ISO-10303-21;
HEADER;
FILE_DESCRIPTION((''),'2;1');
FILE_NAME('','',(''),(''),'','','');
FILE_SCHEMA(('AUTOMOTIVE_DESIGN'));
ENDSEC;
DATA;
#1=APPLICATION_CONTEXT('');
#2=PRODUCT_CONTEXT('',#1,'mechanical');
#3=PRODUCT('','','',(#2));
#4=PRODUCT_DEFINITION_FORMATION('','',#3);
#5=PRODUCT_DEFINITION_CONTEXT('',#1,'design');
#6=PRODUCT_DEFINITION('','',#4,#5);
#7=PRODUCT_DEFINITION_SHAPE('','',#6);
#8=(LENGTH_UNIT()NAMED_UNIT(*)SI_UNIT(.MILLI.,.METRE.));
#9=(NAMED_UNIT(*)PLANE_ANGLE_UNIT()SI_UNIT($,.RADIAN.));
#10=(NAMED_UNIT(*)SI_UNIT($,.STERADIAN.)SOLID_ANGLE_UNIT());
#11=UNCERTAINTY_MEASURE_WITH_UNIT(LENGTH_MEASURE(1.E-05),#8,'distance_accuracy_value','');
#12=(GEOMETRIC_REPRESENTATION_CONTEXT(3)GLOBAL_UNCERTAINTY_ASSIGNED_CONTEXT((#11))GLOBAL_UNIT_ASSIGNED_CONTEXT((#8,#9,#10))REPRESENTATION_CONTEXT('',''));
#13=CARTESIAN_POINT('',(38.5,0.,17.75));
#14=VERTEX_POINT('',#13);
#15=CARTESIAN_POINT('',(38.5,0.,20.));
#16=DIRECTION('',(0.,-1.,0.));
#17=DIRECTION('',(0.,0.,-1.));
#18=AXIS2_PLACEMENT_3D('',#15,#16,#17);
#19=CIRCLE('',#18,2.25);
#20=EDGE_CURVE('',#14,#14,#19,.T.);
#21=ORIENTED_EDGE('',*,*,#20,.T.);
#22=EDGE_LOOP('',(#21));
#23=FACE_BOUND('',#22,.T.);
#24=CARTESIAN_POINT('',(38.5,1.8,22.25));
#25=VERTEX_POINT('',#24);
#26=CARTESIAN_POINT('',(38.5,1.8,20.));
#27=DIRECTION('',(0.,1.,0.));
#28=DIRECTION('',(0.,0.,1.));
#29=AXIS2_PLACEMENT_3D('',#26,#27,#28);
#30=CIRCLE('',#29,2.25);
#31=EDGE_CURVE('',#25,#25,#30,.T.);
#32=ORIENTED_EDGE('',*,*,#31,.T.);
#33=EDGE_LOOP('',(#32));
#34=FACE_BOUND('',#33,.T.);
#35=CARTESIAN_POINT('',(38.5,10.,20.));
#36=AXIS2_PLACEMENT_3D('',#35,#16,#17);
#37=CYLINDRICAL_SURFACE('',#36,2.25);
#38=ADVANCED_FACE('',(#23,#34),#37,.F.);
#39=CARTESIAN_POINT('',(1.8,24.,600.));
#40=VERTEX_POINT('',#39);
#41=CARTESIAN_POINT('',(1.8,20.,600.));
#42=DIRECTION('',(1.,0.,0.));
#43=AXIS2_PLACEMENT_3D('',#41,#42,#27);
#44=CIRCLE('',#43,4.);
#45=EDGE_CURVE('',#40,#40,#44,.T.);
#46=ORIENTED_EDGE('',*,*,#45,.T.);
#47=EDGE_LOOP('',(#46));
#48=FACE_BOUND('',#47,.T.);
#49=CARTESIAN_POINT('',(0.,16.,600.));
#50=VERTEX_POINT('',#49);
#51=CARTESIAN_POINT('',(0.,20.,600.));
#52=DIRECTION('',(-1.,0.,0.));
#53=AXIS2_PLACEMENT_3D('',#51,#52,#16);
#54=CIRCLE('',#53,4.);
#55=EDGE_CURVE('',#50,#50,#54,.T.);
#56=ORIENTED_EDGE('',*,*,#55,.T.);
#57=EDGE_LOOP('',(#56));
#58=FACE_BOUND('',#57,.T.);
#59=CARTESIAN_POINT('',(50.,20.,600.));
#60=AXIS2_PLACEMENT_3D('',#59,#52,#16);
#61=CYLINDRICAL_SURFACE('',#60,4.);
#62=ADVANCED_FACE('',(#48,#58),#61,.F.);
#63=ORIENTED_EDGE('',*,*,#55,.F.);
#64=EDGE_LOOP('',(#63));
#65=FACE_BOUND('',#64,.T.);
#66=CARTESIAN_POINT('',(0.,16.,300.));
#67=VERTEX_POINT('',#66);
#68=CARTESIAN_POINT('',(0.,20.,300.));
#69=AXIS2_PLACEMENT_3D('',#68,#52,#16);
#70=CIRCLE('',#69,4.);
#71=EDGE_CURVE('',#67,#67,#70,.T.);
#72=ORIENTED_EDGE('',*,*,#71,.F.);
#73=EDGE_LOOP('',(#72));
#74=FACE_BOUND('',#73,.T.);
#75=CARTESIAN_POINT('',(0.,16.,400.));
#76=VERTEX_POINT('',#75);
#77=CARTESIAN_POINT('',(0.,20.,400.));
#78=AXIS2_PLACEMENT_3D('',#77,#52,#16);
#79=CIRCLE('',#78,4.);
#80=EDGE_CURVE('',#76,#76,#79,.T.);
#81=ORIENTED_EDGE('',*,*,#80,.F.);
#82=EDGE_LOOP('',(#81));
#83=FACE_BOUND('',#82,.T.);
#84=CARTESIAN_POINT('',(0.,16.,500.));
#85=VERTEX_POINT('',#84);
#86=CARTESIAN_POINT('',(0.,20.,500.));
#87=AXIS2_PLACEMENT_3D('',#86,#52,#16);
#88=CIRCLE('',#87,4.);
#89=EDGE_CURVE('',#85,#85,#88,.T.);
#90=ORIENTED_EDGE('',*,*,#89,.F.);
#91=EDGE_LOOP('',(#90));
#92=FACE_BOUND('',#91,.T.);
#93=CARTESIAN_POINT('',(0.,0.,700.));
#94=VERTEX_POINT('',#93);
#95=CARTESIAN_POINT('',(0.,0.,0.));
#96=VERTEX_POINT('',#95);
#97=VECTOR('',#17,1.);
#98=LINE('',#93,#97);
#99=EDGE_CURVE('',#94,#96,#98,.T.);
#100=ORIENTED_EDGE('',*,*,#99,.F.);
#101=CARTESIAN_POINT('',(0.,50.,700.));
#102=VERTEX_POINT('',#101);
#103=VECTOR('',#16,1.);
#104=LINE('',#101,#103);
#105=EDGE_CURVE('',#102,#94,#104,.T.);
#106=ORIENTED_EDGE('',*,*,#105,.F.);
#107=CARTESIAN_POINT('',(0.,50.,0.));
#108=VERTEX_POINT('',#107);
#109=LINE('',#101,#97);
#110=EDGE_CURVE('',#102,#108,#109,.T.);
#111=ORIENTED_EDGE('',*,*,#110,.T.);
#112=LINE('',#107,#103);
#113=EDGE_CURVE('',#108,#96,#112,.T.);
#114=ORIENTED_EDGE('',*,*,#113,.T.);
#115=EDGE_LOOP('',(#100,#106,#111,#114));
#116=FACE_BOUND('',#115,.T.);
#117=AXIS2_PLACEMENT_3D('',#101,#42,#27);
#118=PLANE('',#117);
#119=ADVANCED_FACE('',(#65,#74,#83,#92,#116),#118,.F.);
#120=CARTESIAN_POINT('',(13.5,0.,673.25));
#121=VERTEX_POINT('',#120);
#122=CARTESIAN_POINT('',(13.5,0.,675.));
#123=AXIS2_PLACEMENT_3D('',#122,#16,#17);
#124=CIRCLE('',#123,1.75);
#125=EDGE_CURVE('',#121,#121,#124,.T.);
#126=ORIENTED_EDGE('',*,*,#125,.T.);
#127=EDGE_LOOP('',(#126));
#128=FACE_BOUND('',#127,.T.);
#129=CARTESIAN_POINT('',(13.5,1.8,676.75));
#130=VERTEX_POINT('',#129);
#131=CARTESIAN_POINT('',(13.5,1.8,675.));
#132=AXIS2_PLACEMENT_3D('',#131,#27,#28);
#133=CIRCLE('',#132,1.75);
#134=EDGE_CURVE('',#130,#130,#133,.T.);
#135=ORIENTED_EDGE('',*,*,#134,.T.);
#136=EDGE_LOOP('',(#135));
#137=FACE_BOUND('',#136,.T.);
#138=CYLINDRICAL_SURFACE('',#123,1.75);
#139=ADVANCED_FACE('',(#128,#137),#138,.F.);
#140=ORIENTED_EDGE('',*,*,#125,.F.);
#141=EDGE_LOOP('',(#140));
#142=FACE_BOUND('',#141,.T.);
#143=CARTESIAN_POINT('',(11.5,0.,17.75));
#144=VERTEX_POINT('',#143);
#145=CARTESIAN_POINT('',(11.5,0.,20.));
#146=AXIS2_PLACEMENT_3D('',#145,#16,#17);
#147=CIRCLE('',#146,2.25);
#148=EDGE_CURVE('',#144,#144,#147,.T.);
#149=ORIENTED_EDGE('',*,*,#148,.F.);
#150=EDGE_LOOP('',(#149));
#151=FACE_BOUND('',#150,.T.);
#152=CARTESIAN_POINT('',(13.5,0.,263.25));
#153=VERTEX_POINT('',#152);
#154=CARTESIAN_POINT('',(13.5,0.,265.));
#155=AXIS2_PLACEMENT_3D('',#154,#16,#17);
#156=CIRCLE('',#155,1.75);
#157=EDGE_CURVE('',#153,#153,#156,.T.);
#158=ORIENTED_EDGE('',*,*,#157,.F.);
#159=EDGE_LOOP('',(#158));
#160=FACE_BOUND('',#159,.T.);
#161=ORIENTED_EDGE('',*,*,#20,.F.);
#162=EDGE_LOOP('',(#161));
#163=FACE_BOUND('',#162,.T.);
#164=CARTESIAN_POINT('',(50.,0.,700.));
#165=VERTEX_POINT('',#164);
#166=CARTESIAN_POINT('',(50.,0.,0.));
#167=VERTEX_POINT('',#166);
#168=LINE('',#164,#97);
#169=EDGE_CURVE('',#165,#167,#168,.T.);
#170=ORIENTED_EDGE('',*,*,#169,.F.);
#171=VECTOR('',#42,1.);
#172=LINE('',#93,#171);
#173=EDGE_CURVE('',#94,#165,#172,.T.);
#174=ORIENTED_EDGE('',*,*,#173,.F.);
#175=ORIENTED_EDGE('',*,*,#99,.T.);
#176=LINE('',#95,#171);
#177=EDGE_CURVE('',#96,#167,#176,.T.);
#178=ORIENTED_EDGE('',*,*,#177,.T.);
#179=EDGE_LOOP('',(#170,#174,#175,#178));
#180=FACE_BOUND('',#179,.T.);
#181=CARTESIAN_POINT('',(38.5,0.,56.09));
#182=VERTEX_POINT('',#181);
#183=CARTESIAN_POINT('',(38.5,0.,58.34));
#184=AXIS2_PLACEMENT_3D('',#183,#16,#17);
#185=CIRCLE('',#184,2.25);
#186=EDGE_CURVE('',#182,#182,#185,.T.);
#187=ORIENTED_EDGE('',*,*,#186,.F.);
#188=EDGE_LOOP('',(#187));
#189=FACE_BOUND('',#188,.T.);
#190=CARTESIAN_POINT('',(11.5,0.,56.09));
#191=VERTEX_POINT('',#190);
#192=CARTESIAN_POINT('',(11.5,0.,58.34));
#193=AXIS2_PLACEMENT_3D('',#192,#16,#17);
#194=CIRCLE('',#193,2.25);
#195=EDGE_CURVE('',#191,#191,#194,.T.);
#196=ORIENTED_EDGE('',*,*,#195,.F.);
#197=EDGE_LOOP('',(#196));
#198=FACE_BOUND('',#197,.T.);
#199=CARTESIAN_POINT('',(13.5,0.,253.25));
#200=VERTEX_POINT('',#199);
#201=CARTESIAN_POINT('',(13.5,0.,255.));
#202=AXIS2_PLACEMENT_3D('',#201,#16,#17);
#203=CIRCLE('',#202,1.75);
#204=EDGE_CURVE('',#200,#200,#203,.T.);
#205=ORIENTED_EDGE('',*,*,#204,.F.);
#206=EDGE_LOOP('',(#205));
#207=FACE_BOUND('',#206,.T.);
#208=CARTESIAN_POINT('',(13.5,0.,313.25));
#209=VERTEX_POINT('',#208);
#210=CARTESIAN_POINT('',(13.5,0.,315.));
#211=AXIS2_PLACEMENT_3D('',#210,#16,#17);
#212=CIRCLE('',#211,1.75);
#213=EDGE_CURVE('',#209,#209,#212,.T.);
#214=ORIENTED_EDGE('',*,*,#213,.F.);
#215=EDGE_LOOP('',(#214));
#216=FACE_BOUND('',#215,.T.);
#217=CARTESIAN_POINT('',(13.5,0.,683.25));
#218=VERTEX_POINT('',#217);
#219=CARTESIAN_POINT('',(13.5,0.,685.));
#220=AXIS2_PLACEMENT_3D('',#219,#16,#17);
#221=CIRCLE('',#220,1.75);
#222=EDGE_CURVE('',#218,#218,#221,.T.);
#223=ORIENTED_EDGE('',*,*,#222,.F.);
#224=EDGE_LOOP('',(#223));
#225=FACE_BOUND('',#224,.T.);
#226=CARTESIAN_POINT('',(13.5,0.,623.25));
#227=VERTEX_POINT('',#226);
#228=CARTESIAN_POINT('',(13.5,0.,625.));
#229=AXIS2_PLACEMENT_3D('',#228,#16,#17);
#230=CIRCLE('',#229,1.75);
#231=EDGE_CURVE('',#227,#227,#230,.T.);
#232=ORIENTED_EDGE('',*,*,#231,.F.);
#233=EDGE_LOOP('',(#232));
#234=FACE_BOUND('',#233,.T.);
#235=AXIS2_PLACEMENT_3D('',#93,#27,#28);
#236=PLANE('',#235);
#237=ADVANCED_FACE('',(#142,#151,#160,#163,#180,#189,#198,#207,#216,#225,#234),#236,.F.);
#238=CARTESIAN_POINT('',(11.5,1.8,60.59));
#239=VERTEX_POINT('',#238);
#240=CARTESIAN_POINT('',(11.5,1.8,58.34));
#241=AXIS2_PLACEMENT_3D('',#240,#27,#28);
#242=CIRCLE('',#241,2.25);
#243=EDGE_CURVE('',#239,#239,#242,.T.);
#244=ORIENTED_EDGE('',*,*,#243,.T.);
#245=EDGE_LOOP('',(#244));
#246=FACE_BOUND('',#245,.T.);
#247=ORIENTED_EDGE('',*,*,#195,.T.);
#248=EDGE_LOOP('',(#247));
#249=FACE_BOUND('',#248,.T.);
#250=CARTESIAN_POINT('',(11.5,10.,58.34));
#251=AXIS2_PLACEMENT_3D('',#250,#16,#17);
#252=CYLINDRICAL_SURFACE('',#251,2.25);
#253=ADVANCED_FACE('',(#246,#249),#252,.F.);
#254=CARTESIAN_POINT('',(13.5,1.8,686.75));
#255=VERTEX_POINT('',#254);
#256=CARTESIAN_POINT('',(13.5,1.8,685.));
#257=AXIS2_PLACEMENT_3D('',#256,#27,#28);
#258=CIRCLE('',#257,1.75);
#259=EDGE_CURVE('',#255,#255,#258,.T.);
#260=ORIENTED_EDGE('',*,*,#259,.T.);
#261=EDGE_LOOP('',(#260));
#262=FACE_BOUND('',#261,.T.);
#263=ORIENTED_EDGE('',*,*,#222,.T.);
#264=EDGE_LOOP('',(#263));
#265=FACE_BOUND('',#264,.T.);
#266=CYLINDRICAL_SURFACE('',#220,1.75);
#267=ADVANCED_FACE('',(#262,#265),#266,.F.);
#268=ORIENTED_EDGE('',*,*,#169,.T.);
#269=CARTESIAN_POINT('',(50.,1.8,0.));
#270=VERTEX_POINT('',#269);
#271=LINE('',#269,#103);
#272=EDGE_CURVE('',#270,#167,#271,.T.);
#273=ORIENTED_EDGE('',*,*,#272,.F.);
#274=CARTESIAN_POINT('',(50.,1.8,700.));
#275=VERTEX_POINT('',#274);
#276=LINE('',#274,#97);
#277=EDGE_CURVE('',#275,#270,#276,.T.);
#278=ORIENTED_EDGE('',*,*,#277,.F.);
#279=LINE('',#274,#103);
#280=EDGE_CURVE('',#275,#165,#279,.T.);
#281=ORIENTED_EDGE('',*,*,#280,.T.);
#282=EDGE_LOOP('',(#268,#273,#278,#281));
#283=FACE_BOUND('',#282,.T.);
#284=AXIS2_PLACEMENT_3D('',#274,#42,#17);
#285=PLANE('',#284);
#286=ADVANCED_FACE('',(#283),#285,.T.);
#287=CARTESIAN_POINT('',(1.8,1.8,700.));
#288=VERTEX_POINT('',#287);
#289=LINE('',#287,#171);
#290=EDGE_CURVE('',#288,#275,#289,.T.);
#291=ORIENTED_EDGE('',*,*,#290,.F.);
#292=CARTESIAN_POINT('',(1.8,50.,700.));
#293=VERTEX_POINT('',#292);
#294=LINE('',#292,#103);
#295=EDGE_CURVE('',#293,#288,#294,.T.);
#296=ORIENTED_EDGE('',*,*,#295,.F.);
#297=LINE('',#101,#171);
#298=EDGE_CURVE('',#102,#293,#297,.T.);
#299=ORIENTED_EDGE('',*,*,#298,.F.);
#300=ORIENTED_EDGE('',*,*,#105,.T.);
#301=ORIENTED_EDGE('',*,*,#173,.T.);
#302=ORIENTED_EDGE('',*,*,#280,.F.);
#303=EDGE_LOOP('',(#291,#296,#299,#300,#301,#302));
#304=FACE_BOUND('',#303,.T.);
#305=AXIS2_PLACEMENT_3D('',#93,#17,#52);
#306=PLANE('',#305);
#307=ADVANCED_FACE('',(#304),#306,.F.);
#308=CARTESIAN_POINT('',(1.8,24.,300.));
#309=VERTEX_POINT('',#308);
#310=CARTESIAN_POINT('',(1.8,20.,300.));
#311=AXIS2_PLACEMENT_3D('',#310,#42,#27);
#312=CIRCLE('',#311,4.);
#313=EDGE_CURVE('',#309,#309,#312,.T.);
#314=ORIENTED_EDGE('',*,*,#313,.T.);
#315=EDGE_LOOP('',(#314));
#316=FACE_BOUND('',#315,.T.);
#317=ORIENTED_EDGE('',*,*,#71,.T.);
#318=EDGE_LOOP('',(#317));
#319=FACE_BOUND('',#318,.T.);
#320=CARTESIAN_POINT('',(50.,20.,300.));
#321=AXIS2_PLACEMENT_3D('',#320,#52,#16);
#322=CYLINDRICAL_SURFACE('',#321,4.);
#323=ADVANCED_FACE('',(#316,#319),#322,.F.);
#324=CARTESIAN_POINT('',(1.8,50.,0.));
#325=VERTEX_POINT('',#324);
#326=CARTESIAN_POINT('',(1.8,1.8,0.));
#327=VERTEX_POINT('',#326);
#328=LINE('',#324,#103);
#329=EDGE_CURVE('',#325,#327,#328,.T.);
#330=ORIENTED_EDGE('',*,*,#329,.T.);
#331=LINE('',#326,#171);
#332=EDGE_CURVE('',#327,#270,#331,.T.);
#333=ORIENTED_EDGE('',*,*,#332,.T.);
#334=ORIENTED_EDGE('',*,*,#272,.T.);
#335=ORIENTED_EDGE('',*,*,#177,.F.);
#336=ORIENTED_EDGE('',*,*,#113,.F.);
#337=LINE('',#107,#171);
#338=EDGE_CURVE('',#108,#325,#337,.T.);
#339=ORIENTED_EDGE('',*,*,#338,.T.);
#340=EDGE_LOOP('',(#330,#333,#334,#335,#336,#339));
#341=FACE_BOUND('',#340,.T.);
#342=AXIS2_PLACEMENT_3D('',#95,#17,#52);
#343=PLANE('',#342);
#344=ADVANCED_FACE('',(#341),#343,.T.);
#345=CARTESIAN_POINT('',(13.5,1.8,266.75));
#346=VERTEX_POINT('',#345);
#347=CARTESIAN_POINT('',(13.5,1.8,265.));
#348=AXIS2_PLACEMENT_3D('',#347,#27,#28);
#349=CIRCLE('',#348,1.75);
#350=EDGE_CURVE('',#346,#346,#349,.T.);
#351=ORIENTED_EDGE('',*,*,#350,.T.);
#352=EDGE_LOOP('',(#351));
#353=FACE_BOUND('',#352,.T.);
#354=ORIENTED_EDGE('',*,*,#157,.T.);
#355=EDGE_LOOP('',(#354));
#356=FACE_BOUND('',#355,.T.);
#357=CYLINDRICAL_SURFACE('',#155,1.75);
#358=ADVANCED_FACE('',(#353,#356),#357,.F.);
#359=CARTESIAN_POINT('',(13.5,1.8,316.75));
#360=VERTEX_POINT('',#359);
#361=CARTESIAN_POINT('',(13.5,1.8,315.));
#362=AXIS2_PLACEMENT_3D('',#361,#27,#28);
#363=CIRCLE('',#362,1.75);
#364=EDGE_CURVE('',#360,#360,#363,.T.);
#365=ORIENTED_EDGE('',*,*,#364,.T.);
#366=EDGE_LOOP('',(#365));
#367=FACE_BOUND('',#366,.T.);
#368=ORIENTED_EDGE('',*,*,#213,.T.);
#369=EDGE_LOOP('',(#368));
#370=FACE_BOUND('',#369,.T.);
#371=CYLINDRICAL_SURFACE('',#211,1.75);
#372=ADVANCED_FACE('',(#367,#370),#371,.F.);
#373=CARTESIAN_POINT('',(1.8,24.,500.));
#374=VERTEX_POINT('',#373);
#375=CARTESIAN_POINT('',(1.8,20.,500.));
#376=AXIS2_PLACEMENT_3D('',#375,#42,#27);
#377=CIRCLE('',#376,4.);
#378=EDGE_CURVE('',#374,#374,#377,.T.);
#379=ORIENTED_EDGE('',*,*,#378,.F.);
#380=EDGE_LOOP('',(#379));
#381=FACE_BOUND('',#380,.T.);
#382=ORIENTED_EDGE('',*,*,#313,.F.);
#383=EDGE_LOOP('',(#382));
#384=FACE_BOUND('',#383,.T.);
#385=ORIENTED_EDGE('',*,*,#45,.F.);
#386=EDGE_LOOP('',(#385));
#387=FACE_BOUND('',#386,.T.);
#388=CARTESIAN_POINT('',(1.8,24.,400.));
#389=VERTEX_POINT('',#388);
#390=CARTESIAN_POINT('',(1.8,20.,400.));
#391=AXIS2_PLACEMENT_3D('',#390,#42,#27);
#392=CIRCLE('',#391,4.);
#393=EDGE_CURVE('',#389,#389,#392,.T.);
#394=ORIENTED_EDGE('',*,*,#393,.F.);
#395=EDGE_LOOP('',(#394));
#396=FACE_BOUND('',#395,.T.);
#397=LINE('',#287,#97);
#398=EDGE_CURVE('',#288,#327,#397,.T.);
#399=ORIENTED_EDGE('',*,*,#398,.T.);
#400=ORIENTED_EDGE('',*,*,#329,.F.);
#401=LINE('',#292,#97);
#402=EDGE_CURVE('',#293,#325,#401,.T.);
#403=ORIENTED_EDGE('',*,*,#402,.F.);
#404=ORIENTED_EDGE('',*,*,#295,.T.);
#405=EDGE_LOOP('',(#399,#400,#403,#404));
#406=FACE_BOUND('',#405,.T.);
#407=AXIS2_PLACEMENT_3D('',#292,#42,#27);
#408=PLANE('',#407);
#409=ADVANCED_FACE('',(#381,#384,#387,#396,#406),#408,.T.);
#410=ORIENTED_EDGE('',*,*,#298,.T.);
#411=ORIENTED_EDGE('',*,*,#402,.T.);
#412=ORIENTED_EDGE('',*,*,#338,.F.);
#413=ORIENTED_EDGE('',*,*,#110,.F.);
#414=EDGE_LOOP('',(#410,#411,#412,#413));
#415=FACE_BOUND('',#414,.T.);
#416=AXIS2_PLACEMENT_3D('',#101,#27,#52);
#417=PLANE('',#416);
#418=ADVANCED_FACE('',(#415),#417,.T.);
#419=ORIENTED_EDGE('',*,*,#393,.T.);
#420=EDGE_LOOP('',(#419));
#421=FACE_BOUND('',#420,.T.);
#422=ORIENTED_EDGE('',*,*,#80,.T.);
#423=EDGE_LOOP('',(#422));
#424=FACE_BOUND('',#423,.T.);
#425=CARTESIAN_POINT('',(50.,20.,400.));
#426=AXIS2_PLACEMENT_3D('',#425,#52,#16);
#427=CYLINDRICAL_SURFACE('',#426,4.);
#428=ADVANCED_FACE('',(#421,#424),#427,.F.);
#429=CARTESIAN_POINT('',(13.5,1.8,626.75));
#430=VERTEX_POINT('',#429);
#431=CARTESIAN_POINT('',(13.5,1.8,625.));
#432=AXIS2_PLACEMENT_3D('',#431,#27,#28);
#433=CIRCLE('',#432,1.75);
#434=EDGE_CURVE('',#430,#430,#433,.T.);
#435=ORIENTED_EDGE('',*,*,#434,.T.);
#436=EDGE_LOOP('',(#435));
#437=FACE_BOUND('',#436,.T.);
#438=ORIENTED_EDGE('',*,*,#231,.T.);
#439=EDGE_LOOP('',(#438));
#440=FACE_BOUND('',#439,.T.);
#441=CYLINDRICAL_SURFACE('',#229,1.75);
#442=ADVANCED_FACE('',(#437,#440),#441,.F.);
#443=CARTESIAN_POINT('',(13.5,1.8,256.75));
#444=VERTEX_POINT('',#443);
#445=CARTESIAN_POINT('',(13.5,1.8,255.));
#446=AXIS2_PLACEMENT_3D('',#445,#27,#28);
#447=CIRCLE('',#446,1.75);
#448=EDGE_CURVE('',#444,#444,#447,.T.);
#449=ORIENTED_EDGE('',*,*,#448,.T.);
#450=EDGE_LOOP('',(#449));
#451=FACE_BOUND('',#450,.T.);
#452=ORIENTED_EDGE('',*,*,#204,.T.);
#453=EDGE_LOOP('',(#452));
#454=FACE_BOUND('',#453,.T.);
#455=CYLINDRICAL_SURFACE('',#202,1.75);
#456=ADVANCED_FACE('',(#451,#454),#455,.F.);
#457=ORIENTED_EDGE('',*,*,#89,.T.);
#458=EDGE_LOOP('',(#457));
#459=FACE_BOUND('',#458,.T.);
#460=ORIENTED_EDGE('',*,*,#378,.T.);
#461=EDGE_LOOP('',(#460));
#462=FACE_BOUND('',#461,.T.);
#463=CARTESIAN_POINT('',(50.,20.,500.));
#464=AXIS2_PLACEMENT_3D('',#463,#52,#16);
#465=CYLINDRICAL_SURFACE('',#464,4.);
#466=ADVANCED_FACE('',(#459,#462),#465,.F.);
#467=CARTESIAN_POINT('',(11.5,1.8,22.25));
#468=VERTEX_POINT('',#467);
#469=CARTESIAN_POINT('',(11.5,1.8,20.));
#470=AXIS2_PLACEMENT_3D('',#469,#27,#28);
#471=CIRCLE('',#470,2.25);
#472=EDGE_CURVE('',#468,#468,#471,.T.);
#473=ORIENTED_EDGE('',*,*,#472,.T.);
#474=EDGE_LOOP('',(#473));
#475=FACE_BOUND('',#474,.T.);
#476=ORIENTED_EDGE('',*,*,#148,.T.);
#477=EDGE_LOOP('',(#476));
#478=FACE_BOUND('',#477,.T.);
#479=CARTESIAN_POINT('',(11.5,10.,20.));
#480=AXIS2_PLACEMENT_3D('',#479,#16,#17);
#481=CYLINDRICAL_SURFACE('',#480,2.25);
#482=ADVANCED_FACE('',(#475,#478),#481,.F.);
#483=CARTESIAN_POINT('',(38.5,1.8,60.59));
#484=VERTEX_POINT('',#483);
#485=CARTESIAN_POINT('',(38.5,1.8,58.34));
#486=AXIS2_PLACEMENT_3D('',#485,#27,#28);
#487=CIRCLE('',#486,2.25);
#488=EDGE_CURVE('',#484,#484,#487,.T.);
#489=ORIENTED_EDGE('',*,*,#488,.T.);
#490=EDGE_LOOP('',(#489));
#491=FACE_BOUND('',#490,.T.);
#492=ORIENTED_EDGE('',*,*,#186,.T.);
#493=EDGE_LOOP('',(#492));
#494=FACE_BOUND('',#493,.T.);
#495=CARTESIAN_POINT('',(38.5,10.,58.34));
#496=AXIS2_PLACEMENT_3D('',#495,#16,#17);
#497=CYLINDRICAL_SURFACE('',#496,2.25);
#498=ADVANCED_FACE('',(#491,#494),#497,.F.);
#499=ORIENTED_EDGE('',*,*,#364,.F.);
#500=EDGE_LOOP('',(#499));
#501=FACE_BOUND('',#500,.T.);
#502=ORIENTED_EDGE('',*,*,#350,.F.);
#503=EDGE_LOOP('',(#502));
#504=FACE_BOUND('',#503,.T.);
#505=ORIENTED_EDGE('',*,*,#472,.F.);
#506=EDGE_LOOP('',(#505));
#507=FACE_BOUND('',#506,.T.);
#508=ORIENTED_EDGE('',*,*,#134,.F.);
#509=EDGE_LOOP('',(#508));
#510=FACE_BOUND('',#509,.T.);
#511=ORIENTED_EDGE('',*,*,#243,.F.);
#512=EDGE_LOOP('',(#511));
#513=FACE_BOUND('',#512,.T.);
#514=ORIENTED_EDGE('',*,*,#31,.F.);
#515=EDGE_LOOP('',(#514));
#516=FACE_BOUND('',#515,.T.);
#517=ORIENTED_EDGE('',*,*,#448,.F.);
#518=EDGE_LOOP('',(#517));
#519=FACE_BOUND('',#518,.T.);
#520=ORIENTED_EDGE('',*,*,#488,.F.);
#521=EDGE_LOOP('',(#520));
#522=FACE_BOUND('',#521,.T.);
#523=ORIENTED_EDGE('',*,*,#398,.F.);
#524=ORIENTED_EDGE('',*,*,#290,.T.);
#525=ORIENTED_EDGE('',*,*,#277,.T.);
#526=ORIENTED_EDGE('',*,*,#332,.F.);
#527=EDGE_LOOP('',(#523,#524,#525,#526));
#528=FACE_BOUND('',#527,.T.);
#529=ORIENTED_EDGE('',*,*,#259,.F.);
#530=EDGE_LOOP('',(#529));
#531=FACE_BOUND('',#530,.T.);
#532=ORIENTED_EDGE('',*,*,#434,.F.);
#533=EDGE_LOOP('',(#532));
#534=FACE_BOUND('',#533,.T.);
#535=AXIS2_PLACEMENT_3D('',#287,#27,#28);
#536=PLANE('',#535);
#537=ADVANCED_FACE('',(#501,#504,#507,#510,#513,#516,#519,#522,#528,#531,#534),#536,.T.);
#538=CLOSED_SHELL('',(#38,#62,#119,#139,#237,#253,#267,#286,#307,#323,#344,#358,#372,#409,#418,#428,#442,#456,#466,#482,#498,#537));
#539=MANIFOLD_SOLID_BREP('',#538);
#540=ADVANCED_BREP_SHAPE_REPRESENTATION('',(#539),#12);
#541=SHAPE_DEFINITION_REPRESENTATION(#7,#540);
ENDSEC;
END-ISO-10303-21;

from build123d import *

# Parameters (mm, degrees)
EXTRUDE_1_DEPTH             = 700
SKETCH_2_R                  = 2.25
CUT_EXTRUDE_1_DEPTH         = 10
SKETCH_3_R                  = 4
CUT_EXTRUDE_2_DEPTH         = 51
HOLE_WIZARD_3_5_3_5_1_D     = 3.5
HOLE_WIZARD_3_5_3_5_1_DEPTH = 2
HOLE_WIZARD_3_5_3_5_1_TIP   = 1.051506083


with BuildPart() as part:
    # 草圖1 → 填料-伸長1 (new body)
    with BuildSketch(Plane.XY):
        Polygon((0, 50), (0, 0), (50, 0), (50, 1.8), (1.8, 1.8), (1.8, 50), align=None)
    extrude(amount=EXTRUDE_1_DEPTH)

    # 草圖2 → 除料-伸長1 (cut)
    with BuildSketch(Plane(origin=(0, 0, 0), x_dir=(-1, 0, 0), z_dir=(0, -1, 0))):
        with Locations((-38.5, -20)):
            Circle(SKETCH_2_R)
        with Locations((-38.5, -58.34)):
            Circle(SKETCH_2_R)
        with Locations((-11.5, -20)):
            Circle(SKETCH_2_R)
        with Locations((-11.5, -58.34)):
            Circle(SKETCH_2_R)
    extrude(amount=-CUT_EXTRUDE_1_DEPTH, mode=Mode.SUBTRACT)

    # 草圖3 → 除料-伸長2 (cut, through all)
    with BuildSketch(Plane.ZY):
        with Locations((600, 20)):
            Circle(SKETCH_3_R)
        with Locations((500, 20)):
            Circle(SKETCH_3_R)
        with Locations((400, 20)):
            Circle(SKETCH_3_R)
        with Locations((300, 20)):
            Circle(SKETCH_3_R)
    extrude(amount=-CUT_EXTRUDE_2_DEPTH, mode=Mode.SUBTRACT)

    # Ø3.5 (3.5) 直徑孔1
    with Locations(Plane(origin=(0, 0, 0), x_dir=(-1, 0, 0), z_dir=(0, -1, 0))):
        with Locations((-13.5, -685), (-13.5, -675), (-13.5, -625), (-13.5, -255), (-13.5, -265), (-13.5, -315)):
            Hole(HOLE_WIZARD_3_5_3_5_1_D / 2, depth=HOLE_WIZARD_3_5_3_5_1_DEPTH)
            with Locations((0, 0, -(HOLE_WIZARD_3_5_3_5_1_DEPTH + HOLE_WIZARD_3_5_3_5_1_TIP / 2))):  # 118° drill point
                Cone(0, HOLE_WIZARD_3_5_3_5_1_D / 2, HOLE_WIZARD_3_5_3_5_1_TIP, mode=Mode.SUBTRACT)


solid = part.part
